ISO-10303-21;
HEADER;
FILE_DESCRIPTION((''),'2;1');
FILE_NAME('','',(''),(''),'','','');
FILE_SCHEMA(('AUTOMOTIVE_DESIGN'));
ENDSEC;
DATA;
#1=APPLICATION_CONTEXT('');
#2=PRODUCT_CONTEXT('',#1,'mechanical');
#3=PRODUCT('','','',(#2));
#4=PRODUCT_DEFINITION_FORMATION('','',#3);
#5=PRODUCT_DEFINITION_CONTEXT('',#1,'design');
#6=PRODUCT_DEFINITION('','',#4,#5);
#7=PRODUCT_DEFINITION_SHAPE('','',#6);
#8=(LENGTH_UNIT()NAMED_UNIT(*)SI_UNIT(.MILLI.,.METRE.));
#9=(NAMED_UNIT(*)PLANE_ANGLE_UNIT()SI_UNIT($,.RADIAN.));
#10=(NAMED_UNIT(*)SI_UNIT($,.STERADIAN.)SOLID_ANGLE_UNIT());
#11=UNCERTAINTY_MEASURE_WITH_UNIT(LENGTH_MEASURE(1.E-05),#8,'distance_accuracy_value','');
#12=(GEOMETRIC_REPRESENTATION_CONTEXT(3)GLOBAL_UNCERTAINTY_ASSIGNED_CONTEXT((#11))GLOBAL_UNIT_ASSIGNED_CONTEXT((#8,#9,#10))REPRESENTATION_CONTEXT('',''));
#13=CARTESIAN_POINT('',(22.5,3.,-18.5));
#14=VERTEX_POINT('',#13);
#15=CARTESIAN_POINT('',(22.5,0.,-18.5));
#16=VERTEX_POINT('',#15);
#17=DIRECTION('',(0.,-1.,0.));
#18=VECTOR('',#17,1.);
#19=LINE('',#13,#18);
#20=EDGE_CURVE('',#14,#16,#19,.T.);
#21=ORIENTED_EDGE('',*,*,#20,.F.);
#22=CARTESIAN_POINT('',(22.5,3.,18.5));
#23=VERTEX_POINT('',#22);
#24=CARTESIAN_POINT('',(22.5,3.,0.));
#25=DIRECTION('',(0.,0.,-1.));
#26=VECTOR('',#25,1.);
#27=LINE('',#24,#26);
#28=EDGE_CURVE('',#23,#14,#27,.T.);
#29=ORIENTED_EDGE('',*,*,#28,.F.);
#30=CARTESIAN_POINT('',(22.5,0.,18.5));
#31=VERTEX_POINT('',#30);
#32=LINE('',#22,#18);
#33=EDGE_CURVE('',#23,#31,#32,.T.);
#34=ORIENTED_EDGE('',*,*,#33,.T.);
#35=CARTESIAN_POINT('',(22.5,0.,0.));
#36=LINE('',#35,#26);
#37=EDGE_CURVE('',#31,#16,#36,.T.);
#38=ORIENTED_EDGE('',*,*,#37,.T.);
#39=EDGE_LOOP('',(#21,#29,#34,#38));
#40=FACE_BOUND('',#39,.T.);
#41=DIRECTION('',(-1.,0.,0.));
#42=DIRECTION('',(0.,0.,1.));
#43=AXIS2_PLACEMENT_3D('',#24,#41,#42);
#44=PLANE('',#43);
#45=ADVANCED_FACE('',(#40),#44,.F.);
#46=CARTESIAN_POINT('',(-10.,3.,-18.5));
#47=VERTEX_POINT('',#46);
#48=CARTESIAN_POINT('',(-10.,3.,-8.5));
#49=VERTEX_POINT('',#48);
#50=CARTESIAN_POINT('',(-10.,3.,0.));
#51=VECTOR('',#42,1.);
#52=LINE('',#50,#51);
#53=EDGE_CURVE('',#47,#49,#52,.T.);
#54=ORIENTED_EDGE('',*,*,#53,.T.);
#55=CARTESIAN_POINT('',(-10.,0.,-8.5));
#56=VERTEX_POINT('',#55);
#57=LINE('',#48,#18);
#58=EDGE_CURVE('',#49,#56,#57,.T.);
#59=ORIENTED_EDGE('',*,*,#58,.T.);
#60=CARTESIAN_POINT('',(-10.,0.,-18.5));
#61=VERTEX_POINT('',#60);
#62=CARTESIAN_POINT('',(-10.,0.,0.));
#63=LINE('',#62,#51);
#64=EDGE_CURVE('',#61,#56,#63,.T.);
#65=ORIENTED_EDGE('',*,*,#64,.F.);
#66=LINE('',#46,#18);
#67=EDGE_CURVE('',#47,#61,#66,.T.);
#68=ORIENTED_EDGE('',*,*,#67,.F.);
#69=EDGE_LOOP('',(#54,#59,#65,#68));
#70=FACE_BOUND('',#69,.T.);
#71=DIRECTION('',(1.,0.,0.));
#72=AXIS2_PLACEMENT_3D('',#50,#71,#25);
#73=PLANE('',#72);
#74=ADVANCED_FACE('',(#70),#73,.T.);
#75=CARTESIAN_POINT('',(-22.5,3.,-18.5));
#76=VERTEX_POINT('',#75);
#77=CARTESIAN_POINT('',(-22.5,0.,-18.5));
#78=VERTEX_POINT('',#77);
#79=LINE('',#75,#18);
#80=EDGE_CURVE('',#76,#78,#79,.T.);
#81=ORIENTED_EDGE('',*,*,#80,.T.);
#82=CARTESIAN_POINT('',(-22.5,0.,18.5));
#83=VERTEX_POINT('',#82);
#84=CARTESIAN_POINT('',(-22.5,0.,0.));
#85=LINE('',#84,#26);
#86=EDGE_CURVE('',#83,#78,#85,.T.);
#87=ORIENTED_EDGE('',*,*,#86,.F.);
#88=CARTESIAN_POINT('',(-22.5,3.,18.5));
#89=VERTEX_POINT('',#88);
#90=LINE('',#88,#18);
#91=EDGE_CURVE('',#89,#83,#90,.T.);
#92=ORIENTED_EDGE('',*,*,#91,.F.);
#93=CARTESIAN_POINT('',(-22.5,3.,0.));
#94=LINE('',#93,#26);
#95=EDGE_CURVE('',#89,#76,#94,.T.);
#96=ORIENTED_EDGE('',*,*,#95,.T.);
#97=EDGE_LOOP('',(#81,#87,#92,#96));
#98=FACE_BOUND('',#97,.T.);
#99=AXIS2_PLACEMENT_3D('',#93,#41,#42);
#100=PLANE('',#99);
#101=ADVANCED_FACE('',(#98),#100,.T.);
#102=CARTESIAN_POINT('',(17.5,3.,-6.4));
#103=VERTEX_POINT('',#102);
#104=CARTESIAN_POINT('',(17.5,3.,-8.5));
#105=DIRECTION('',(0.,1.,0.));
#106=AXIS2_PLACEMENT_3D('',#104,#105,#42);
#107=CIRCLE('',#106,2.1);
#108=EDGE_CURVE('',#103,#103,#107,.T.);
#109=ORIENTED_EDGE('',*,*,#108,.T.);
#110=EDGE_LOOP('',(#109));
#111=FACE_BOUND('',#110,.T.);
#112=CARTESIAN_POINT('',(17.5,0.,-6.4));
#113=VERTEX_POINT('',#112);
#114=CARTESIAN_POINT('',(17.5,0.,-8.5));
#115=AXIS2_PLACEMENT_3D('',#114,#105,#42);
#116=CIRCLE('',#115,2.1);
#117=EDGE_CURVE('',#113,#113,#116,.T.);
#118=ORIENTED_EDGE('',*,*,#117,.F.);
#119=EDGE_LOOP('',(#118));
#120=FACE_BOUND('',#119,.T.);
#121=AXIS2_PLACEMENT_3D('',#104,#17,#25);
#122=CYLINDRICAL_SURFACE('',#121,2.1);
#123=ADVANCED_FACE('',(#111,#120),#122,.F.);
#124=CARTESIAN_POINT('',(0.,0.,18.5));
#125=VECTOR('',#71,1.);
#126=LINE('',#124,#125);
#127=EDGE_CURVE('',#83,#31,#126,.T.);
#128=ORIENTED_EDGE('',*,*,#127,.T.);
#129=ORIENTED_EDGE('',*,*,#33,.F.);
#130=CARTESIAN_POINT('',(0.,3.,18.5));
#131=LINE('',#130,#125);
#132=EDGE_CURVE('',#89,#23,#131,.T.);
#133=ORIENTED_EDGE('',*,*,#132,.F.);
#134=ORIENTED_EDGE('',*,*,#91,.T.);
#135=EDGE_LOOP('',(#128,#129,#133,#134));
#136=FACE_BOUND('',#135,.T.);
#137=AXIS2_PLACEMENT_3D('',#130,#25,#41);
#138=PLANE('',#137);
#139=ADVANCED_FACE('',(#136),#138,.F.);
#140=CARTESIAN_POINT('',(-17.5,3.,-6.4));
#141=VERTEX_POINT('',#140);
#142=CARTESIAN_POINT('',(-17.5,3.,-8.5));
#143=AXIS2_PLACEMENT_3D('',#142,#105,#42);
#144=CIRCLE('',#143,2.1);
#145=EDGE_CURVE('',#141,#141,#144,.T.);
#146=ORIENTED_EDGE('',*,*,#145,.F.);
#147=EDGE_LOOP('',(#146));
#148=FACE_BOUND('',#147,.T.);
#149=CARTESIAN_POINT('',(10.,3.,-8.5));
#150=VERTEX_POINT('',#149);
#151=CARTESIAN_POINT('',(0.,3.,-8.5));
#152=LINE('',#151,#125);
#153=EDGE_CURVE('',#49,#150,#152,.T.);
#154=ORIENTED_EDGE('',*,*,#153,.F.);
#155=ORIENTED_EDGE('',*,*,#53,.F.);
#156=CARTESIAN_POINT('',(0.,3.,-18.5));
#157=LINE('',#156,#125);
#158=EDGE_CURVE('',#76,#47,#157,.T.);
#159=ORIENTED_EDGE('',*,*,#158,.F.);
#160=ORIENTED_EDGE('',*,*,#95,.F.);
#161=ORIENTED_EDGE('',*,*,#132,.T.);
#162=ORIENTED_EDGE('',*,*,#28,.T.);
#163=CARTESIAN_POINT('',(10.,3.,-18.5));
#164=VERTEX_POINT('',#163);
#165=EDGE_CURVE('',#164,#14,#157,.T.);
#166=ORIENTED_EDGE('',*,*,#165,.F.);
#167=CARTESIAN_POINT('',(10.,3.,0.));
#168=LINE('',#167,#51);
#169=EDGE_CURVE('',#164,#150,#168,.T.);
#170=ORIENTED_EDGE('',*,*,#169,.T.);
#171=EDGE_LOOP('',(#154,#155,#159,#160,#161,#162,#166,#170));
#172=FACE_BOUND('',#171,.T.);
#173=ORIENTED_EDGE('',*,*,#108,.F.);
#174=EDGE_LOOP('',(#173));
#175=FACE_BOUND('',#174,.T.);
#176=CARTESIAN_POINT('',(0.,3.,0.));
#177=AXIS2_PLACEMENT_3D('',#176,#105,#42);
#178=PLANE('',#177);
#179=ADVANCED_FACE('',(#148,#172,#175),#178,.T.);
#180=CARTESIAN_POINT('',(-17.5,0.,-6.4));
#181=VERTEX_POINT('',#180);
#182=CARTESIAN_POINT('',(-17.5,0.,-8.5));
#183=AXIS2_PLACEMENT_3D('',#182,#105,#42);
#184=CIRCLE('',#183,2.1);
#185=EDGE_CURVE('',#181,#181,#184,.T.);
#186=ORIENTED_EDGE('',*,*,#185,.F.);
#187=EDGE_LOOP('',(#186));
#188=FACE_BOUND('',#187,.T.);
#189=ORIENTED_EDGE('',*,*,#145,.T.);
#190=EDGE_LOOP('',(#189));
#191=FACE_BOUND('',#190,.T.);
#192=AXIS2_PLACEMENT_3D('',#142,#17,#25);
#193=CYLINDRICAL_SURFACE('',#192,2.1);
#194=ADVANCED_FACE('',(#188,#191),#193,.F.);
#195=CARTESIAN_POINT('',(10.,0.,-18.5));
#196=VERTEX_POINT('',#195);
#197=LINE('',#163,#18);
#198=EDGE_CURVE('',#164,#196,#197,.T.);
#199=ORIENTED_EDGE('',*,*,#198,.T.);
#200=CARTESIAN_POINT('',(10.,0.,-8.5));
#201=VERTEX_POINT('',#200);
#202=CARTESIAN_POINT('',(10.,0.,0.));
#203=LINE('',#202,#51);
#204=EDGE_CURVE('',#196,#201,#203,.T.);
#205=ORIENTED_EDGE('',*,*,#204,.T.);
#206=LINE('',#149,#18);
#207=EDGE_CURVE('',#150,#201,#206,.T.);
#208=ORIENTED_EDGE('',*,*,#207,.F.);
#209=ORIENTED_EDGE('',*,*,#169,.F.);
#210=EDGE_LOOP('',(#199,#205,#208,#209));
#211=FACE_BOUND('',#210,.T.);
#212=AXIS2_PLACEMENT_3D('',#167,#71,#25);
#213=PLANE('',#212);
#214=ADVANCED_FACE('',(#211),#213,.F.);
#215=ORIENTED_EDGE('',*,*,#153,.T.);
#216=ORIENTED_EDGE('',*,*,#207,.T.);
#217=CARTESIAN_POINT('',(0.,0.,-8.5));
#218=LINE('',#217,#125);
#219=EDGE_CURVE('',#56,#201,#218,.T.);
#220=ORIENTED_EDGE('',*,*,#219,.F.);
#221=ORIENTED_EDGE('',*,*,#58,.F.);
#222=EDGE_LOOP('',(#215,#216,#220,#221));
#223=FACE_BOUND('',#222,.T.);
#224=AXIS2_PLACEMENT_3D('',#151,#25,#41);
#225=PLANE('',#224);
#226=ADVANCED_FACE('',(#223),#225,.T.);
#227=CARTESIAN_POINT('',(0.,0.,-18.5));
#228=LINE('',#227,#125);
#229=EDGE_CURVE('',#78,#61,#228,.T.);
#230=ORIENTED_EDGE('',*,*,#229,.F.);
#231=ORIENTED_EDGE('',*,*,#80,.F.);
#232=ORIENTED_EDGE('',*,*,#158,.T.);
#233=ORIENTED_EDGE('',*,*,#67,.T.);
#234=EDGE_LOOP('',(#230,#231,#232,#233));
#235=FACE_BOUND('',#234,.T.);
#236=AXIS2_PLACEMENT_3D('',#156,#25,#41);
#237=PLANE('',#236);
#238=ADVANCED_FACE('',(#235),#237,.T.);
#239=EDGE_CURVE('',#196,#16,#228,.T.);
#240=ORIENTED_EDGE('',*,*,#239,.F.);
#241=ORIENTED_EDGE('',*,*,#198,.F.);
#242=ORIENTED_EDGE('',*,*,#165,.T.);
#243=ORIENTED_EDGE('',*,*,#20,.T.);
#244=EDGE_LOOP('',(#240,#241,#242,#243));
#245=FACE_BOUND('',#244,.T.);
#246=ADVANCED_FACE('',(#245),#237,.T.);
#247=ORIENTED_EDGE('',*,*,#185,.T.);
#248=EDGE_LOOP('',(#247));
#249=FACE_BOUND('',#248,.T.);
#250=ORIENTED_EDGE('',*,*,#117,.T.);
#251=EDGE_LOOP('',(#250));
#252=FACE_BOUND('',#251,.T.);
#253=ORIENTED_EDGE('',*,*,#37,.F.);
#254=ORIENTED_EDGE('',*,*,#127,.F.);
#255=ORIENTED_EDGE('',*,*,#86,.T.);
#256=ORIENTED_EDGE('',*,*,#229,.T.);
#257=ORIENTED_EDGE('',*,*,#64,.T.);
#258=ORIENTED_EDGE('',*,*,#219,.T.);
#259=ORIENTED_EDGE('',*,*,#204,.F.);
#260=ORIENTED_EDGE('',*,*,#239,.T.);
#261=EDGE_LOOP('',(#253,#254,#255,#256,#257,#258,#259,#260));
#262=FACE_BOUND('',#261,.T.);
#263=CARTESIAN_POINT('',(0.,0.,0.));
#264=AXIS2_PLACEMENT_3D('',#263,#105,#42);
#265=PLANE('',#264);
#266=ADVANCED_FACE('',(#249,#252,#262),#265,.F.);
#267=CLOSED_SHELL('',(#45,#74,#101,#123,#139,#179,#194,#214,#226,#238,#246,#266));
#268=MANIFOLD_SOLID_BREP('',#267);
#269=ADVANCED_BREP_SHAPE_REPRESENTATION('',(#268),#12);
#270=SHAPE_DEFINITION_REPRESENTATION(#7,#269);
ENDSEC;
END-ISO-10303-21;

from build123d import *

# Parameters (mm, degrees)
SKIZZE2_R                       = 2.1
AUFSATZ_LINEAR_AUSTRAGEN1_DEPTH = 3


with BuildPart() as part:
    # Skizze2 → Aufsatz-Linear austragen1 (new body)
    with BuildSketch(Plane(origin=(0, 0, 0), x_dir=(1, 0, 0), z_dir=(0, 1, 0))):
        Polygon((-22.5, 18.5), (-22.5, -18.5), (22.5, -18.5), (22.5, 18.5), (10, 18.5), (10, 8.5), (-10, 8.5), (-10, 18.5), align=None)
        with Locations(Location((-17.5, 8.5, 0), (0, 0, 270))):
            Circle(SKIZZE2_R, mode=Mode.SUBTRACT)
        with Locations(Location((17.5, 8.5, 0), (0, 0, 270))):
            Circle(SKIZZE2_R, mode=Mode.SUBTRACT)
    extrude(amount=AUFSATZ_LINEAR_AUSTRAGEN1_DEPTH)


solid = part.part
